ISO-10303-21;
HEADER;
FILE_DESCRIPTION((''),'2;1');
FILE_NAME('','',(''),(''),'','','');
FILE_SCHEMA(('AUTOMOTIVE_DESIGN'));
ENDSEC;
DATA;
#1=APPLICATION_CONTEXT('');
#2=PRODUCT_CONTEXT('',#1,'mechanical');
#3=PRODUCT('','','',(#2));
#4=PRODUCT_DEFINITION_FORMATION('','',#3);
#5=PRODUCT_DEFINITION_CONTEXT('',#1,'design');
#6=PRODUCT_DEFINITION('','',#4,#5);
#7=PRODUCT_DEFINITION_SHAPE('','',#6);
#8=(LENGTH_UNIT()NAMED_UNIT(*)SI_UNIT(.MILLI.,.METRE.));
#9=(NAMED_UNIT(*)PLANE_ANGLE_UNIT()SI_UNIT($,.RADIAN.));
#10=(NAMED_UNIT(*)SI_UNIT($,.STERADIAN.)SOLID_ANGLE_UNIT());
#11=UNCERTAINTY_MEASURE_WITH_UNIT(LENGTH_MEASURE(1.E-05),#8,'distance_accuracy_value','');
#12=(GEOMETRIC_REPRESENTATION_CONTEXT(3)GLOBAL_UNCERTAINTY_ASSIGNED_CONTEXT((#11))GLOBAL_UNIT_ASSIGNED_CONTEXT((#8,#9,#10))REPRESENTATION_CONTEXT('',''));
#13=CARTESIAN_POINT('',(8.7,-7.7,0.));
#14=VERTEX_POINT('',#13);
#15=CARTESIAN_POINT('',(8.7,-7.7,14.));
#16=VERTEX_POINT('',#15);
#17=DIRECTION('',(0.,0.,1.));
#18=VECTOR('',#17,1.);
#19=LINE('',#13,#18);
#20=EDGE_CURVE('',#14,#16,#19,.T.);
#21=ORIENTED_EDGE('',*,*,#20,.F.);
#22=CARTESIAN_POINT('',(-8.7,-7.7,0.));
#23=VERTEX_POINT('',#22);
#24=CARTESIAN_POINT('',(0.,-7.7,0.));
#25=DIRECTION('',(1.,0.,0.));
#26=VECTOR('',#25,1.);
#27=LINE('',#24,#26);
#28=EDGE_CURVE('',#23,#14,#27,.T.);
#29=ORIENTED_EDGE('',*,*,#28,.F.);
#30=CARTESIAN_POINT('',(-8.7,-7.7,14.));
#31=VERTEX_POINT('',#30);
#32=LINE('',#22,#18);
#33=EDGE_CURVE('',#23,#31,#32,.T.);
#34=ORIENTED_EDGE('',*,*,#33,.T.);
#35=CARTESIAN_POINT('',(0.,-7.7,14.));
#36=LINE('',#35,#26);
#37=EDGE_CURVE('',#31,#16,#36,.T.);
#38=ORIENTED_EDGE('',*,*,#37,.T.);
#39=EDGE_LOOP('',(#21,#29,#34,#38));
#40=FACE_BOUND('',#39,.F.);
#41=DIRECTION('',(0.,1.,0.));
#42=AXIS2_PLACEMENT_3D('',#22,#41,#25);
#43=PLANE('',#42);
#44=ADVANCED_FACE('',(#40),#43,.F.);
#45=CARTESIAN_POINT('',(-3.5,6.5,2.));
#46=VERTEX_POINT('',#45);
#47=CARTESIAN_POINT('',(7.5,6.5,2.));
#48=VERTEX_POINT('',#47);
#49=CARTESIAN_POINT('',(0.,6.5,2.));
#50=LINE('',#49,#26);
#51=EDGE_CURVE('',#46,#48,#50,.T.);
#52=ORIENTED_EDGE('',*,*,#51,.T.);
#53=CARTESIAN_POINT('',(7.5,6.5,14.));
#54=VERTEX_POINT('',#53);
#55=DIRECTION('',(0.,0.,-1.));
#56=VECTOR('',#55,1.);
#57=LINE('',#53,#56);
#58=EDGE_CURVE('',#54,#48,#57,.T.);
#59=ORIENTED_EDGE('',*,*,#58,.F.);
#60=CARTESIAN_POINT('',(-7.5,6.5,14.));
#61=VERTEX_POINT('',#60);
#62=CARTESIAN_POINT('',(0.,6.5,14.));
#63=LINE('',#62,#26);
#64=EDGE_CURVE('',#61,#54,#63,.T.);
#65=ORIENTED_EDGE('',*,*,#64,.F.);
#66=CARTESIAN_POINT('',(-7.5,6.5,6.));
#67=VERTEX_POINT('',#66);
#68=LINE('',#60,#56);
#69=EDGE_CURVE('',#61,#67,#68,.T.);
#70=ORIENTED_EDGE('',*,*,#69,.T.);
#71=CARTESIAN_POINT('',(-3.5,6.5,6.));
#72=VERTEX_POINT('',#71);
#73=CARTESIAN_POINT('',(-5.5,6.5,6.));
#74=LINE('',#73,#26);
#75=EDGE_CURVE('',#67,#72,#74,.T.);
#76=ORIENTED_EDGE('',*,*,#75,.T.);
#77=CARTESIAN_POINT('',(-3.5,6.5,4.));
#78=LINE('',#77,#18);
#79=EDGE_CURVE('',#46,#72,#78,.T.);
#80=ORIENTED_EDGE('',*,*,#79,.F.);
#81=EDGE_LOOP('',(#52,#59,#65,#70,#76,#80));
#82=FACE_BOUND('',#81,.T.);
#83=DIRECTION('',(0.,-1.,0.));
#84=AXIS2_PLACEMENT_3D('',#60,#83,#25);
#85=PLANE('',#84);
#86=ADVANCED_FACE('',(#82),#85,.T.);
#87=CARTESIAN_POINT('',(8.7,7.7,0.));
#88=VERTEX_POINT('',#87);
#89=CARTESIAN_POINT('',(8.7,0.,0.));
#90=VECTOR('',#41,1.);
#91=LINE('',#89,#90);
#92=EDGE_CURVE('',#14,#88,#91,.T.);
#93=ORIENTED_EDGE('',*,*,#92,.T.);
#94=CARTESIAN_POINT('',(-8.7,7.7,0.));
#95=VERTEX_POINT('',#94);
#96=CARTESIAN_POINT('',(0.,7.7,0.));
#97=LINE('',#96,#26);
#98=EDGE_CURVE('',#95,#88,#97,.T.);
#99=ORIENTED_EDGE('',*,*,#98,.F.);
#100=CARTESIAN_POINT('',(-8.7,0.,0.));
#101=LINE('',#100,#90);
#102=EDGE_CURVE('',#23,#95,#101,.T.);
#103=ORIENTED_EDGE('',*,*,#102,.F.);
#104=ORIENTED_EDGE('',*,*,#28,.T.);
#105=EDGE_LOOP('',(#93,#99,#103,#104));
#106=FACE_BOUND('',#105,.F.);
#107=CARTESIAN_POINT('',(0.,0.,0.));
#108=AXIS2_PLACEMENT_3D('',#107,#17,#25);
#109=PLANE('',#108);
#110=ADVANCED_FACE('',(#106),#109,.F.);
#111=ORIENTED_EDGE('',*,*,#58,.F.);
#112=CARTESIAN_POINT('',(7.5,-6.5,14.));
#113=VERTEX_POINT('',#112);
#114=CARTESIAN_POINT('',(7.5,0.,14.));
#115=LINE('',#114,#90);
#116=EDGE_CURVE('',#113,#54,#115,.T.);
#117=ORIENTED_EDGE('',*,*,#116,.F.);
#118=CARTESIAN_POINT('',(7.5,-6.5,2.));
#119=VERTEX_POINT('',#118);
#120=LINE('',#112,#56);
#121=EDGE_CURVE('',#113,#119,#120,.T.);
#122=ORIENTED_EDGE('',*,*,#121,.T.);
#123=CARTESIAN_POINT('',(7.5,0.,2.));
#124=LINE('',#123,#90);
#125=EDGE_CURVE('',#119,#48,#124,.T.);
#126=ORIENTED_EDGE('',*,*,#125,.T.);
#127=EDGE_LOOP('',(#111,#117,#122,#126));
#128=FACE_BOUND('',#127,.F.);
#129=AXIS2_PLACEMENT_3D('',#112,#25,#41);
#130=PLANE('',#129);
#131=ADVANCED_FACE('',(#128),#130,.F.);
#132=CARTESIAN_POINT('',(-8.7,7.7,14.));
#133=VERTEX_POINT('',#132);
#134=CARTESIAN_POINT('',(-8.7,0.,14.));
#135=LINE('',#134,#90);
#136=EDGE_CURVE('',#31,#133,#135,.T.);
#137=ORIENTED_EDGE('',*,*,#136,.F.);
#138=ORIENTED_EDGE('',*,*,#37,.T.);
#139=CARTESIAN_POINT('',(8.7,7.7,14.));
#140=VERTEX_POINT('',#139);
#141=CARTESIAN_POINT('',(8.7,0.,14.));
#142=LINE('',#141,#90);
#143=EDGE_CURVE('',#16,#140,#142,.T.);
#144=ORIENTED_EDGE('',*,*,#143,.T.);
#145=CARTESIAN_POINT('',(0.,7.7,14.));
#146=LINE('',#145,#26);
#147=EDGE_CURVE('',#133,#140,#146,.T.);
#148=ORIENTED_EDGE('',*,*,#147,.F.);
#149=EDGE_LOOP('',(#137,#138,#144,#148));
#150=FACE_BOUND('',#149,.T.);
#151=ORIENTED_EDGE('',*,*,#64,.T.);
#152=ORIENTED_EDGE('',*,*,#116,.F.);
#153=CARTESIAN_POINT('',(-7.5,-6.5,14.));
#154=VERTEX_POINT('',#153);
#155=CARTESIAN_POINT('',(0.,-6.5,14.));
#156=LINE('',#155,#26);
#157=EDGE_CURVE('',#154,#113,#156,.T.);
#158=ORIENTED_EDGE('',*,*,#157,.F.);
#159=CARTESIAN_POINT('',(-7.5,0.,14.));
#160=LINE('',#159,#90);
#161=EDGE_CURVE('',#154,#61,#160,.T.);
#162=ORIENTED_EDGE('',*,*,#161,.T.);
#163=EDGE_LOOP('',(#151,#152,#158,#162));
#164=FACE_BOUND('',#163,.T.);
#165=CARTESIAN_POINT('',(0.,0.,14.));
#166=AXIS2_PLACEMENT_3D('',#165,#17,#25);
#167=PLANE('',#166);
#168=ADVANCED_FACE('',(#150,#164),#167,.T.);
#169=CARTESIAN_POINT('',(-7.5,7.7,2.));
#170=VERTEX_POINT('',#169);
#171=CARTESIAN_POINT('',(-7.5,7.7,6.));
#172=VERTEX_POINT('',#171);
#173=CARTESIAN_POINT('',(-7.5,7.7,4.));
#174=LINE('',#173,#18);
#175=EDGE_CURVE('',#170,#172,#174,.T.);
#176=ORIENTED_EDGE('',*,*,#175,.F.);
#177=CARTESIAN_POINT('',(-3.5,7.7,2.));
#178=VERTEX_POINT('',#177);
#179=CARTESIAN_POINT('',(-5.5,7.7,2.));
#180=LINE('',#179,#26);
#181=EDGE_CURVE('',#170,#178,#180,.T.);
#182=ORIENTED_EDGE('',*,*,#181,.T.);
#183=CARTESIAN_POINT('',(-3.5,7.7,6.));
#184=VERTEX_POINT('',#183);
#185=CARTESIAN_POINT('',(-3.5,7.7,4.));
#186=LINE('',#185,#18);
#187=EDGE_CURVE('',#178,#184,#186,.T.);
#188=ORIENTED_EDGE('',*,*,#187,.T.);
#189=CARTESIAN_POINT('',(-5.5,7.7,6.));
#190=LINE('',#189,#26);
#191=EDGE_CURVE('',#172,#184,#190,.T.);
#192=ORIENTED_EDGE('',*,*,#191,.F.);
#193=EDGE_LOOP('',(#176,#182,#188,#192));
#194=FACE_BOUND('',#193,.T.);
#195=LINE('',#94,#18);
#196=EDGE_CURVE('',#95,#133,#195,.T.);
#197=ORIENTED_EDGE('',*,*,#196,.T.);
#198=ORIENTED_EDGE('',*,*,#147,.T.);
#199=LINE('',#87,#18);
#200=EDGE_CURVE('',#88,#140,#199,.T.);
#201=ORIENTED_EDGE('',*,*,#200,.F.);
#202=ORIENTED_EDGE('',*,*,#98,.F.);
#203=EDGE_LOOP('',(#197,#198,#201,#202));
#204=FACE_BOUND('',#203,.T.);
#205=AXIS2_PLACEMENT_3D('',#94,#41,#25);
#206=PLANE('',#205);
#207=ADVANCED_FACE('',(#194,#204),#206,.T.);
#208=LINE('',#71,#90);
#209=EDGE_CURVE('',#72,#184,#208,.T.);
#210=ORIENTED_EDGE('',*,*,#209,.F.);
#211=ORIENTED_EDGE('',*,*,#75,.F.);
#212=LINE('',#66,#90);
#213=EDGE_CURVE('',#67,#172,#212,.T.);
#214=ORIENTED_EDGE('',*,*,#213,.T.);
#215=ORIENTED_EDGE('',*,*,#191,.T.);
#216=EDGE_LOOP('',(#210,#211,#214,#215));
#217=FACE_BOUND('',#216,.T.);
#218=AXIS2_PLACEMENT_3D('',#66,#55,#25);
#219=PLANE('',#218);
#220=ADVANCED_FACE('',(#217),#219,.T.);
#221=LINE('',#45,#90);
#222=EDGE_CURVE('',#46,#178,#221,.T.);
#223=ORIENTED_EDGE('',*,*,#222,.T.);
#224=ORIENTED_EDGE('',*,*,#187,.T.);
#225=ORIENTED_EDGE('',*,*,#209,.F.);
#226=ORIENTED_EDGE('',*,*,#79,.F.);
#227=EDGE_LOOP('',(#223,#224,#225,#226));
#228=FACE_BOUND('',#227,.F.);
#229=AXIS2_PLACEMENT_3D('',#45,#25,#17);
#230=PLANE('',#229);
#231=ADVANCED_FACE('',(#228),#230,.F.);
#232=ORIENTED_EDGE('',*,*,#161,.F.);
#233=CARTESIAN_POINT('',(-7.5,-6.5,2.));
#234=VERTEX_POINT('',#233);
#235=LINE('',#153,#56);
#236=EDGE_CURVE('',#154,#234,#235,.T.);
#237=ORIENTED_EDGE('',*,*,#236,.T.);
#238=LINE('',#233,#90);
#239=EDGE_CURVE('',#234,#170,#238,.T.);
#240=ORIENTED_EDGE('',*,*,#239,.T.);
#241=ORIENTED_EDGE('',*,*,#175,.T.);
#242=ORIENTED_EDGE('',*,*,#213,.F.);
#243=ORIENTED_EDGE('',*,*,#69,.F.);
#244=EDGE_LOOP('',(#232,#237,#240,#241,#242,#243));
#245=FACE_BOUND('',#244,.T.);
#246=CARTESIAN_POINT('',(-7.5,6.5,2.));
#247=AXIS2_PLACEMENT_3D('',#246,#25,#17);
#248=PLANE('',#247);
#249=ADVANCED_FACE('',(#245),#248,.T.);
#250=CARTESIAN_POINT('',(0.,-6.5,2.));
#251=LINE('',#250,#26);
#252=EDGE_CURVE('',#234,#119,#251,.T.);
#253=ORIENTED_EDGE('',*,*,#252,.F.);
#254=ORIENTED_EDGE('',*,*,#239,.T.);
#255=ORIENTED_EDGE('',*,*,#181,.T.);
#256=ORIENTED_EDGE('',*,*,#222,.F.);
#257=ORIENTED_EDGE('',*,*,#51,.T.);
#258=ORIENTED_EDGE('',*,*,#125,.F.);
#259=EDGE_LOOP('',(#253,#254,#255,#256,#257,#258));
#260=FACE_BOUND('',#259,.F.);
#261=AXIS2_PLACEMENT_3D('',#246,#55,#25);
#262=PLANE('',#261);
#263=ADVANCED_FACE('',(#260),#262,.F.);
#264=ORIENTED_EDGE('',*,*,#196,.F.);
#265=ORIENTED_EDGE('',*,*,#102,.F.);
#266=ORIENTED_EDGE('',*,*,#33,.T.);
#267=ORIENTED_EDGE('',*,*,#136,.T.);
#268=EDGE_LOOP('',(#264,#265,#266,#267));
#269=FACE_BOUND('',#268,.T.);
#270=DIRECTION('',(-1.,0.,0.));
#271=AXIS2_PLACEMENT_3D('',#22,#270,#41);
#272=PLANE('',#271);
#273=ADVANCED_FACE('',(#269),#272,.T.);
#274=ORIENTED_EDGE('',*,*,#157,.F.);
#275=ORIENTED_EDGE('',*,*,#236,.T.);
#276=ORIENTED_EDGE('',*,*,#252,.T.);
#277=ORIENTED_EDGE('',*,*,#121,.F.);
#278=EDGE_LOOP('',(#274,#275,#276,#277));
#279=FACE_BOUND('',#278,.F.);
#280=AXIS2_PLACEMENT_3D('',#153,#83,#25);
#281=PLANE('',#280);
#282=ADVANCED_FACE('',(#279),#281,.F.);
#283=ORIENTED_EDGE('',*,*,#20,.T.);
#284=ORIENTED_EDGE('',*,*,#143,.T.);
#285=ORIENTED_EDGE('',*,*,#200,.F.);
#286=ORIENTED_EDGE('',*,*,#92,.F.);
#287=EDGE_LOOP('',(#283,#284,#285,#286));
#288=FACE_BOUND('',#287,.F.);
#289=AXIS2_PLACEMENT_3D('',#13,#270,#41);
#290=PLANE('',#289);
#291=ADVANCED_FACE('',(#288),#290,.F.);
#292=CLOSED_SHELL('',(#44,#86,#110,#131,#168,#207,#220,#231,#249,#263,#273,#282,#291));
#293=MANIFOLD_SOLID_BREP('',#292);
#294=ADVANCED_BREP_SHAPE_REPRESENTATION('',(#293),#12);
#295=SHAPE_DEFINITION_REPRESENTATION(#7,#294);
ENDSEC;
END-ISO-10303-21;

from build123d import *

# Parameters (mm, degrees)
F0_W     = 17.4
F0_H     = 15.4
F1_DEPTH = 14
F2_W     = 15
F2_H     = 13
F3_DEPTH = 12
F4_W     = 4
F4_H     = 4
F5_DEPTH = 1.2


with BuildPart() as f1:
    # F0 (on Top) → F1 (new body)
    with BuildSketch(Plane.XY):
        Rectangle(F0_W, F0_H)
    extrude(amount=F1_DEPTH)

    # F2 (on face) → F3 (cut)
    with BuildSketch(Plane.XY.offset(14)):
        Rectangle(F2_W, F2_H)
    extrude(amount=-F3_DEPTH, mode=Mode.SUBTRACT)

    # F4 (on face) → F5 (cut)
    with BuildSketch(Plane.XZ.offset(-6.5)):
        with Locations((-5.5, 4)):
            Rectangle(F4_W, F4_H)
    extrude(amount=-F5_DEPTH, mode=Mode.SUBTRACT)


solid = f1.part
